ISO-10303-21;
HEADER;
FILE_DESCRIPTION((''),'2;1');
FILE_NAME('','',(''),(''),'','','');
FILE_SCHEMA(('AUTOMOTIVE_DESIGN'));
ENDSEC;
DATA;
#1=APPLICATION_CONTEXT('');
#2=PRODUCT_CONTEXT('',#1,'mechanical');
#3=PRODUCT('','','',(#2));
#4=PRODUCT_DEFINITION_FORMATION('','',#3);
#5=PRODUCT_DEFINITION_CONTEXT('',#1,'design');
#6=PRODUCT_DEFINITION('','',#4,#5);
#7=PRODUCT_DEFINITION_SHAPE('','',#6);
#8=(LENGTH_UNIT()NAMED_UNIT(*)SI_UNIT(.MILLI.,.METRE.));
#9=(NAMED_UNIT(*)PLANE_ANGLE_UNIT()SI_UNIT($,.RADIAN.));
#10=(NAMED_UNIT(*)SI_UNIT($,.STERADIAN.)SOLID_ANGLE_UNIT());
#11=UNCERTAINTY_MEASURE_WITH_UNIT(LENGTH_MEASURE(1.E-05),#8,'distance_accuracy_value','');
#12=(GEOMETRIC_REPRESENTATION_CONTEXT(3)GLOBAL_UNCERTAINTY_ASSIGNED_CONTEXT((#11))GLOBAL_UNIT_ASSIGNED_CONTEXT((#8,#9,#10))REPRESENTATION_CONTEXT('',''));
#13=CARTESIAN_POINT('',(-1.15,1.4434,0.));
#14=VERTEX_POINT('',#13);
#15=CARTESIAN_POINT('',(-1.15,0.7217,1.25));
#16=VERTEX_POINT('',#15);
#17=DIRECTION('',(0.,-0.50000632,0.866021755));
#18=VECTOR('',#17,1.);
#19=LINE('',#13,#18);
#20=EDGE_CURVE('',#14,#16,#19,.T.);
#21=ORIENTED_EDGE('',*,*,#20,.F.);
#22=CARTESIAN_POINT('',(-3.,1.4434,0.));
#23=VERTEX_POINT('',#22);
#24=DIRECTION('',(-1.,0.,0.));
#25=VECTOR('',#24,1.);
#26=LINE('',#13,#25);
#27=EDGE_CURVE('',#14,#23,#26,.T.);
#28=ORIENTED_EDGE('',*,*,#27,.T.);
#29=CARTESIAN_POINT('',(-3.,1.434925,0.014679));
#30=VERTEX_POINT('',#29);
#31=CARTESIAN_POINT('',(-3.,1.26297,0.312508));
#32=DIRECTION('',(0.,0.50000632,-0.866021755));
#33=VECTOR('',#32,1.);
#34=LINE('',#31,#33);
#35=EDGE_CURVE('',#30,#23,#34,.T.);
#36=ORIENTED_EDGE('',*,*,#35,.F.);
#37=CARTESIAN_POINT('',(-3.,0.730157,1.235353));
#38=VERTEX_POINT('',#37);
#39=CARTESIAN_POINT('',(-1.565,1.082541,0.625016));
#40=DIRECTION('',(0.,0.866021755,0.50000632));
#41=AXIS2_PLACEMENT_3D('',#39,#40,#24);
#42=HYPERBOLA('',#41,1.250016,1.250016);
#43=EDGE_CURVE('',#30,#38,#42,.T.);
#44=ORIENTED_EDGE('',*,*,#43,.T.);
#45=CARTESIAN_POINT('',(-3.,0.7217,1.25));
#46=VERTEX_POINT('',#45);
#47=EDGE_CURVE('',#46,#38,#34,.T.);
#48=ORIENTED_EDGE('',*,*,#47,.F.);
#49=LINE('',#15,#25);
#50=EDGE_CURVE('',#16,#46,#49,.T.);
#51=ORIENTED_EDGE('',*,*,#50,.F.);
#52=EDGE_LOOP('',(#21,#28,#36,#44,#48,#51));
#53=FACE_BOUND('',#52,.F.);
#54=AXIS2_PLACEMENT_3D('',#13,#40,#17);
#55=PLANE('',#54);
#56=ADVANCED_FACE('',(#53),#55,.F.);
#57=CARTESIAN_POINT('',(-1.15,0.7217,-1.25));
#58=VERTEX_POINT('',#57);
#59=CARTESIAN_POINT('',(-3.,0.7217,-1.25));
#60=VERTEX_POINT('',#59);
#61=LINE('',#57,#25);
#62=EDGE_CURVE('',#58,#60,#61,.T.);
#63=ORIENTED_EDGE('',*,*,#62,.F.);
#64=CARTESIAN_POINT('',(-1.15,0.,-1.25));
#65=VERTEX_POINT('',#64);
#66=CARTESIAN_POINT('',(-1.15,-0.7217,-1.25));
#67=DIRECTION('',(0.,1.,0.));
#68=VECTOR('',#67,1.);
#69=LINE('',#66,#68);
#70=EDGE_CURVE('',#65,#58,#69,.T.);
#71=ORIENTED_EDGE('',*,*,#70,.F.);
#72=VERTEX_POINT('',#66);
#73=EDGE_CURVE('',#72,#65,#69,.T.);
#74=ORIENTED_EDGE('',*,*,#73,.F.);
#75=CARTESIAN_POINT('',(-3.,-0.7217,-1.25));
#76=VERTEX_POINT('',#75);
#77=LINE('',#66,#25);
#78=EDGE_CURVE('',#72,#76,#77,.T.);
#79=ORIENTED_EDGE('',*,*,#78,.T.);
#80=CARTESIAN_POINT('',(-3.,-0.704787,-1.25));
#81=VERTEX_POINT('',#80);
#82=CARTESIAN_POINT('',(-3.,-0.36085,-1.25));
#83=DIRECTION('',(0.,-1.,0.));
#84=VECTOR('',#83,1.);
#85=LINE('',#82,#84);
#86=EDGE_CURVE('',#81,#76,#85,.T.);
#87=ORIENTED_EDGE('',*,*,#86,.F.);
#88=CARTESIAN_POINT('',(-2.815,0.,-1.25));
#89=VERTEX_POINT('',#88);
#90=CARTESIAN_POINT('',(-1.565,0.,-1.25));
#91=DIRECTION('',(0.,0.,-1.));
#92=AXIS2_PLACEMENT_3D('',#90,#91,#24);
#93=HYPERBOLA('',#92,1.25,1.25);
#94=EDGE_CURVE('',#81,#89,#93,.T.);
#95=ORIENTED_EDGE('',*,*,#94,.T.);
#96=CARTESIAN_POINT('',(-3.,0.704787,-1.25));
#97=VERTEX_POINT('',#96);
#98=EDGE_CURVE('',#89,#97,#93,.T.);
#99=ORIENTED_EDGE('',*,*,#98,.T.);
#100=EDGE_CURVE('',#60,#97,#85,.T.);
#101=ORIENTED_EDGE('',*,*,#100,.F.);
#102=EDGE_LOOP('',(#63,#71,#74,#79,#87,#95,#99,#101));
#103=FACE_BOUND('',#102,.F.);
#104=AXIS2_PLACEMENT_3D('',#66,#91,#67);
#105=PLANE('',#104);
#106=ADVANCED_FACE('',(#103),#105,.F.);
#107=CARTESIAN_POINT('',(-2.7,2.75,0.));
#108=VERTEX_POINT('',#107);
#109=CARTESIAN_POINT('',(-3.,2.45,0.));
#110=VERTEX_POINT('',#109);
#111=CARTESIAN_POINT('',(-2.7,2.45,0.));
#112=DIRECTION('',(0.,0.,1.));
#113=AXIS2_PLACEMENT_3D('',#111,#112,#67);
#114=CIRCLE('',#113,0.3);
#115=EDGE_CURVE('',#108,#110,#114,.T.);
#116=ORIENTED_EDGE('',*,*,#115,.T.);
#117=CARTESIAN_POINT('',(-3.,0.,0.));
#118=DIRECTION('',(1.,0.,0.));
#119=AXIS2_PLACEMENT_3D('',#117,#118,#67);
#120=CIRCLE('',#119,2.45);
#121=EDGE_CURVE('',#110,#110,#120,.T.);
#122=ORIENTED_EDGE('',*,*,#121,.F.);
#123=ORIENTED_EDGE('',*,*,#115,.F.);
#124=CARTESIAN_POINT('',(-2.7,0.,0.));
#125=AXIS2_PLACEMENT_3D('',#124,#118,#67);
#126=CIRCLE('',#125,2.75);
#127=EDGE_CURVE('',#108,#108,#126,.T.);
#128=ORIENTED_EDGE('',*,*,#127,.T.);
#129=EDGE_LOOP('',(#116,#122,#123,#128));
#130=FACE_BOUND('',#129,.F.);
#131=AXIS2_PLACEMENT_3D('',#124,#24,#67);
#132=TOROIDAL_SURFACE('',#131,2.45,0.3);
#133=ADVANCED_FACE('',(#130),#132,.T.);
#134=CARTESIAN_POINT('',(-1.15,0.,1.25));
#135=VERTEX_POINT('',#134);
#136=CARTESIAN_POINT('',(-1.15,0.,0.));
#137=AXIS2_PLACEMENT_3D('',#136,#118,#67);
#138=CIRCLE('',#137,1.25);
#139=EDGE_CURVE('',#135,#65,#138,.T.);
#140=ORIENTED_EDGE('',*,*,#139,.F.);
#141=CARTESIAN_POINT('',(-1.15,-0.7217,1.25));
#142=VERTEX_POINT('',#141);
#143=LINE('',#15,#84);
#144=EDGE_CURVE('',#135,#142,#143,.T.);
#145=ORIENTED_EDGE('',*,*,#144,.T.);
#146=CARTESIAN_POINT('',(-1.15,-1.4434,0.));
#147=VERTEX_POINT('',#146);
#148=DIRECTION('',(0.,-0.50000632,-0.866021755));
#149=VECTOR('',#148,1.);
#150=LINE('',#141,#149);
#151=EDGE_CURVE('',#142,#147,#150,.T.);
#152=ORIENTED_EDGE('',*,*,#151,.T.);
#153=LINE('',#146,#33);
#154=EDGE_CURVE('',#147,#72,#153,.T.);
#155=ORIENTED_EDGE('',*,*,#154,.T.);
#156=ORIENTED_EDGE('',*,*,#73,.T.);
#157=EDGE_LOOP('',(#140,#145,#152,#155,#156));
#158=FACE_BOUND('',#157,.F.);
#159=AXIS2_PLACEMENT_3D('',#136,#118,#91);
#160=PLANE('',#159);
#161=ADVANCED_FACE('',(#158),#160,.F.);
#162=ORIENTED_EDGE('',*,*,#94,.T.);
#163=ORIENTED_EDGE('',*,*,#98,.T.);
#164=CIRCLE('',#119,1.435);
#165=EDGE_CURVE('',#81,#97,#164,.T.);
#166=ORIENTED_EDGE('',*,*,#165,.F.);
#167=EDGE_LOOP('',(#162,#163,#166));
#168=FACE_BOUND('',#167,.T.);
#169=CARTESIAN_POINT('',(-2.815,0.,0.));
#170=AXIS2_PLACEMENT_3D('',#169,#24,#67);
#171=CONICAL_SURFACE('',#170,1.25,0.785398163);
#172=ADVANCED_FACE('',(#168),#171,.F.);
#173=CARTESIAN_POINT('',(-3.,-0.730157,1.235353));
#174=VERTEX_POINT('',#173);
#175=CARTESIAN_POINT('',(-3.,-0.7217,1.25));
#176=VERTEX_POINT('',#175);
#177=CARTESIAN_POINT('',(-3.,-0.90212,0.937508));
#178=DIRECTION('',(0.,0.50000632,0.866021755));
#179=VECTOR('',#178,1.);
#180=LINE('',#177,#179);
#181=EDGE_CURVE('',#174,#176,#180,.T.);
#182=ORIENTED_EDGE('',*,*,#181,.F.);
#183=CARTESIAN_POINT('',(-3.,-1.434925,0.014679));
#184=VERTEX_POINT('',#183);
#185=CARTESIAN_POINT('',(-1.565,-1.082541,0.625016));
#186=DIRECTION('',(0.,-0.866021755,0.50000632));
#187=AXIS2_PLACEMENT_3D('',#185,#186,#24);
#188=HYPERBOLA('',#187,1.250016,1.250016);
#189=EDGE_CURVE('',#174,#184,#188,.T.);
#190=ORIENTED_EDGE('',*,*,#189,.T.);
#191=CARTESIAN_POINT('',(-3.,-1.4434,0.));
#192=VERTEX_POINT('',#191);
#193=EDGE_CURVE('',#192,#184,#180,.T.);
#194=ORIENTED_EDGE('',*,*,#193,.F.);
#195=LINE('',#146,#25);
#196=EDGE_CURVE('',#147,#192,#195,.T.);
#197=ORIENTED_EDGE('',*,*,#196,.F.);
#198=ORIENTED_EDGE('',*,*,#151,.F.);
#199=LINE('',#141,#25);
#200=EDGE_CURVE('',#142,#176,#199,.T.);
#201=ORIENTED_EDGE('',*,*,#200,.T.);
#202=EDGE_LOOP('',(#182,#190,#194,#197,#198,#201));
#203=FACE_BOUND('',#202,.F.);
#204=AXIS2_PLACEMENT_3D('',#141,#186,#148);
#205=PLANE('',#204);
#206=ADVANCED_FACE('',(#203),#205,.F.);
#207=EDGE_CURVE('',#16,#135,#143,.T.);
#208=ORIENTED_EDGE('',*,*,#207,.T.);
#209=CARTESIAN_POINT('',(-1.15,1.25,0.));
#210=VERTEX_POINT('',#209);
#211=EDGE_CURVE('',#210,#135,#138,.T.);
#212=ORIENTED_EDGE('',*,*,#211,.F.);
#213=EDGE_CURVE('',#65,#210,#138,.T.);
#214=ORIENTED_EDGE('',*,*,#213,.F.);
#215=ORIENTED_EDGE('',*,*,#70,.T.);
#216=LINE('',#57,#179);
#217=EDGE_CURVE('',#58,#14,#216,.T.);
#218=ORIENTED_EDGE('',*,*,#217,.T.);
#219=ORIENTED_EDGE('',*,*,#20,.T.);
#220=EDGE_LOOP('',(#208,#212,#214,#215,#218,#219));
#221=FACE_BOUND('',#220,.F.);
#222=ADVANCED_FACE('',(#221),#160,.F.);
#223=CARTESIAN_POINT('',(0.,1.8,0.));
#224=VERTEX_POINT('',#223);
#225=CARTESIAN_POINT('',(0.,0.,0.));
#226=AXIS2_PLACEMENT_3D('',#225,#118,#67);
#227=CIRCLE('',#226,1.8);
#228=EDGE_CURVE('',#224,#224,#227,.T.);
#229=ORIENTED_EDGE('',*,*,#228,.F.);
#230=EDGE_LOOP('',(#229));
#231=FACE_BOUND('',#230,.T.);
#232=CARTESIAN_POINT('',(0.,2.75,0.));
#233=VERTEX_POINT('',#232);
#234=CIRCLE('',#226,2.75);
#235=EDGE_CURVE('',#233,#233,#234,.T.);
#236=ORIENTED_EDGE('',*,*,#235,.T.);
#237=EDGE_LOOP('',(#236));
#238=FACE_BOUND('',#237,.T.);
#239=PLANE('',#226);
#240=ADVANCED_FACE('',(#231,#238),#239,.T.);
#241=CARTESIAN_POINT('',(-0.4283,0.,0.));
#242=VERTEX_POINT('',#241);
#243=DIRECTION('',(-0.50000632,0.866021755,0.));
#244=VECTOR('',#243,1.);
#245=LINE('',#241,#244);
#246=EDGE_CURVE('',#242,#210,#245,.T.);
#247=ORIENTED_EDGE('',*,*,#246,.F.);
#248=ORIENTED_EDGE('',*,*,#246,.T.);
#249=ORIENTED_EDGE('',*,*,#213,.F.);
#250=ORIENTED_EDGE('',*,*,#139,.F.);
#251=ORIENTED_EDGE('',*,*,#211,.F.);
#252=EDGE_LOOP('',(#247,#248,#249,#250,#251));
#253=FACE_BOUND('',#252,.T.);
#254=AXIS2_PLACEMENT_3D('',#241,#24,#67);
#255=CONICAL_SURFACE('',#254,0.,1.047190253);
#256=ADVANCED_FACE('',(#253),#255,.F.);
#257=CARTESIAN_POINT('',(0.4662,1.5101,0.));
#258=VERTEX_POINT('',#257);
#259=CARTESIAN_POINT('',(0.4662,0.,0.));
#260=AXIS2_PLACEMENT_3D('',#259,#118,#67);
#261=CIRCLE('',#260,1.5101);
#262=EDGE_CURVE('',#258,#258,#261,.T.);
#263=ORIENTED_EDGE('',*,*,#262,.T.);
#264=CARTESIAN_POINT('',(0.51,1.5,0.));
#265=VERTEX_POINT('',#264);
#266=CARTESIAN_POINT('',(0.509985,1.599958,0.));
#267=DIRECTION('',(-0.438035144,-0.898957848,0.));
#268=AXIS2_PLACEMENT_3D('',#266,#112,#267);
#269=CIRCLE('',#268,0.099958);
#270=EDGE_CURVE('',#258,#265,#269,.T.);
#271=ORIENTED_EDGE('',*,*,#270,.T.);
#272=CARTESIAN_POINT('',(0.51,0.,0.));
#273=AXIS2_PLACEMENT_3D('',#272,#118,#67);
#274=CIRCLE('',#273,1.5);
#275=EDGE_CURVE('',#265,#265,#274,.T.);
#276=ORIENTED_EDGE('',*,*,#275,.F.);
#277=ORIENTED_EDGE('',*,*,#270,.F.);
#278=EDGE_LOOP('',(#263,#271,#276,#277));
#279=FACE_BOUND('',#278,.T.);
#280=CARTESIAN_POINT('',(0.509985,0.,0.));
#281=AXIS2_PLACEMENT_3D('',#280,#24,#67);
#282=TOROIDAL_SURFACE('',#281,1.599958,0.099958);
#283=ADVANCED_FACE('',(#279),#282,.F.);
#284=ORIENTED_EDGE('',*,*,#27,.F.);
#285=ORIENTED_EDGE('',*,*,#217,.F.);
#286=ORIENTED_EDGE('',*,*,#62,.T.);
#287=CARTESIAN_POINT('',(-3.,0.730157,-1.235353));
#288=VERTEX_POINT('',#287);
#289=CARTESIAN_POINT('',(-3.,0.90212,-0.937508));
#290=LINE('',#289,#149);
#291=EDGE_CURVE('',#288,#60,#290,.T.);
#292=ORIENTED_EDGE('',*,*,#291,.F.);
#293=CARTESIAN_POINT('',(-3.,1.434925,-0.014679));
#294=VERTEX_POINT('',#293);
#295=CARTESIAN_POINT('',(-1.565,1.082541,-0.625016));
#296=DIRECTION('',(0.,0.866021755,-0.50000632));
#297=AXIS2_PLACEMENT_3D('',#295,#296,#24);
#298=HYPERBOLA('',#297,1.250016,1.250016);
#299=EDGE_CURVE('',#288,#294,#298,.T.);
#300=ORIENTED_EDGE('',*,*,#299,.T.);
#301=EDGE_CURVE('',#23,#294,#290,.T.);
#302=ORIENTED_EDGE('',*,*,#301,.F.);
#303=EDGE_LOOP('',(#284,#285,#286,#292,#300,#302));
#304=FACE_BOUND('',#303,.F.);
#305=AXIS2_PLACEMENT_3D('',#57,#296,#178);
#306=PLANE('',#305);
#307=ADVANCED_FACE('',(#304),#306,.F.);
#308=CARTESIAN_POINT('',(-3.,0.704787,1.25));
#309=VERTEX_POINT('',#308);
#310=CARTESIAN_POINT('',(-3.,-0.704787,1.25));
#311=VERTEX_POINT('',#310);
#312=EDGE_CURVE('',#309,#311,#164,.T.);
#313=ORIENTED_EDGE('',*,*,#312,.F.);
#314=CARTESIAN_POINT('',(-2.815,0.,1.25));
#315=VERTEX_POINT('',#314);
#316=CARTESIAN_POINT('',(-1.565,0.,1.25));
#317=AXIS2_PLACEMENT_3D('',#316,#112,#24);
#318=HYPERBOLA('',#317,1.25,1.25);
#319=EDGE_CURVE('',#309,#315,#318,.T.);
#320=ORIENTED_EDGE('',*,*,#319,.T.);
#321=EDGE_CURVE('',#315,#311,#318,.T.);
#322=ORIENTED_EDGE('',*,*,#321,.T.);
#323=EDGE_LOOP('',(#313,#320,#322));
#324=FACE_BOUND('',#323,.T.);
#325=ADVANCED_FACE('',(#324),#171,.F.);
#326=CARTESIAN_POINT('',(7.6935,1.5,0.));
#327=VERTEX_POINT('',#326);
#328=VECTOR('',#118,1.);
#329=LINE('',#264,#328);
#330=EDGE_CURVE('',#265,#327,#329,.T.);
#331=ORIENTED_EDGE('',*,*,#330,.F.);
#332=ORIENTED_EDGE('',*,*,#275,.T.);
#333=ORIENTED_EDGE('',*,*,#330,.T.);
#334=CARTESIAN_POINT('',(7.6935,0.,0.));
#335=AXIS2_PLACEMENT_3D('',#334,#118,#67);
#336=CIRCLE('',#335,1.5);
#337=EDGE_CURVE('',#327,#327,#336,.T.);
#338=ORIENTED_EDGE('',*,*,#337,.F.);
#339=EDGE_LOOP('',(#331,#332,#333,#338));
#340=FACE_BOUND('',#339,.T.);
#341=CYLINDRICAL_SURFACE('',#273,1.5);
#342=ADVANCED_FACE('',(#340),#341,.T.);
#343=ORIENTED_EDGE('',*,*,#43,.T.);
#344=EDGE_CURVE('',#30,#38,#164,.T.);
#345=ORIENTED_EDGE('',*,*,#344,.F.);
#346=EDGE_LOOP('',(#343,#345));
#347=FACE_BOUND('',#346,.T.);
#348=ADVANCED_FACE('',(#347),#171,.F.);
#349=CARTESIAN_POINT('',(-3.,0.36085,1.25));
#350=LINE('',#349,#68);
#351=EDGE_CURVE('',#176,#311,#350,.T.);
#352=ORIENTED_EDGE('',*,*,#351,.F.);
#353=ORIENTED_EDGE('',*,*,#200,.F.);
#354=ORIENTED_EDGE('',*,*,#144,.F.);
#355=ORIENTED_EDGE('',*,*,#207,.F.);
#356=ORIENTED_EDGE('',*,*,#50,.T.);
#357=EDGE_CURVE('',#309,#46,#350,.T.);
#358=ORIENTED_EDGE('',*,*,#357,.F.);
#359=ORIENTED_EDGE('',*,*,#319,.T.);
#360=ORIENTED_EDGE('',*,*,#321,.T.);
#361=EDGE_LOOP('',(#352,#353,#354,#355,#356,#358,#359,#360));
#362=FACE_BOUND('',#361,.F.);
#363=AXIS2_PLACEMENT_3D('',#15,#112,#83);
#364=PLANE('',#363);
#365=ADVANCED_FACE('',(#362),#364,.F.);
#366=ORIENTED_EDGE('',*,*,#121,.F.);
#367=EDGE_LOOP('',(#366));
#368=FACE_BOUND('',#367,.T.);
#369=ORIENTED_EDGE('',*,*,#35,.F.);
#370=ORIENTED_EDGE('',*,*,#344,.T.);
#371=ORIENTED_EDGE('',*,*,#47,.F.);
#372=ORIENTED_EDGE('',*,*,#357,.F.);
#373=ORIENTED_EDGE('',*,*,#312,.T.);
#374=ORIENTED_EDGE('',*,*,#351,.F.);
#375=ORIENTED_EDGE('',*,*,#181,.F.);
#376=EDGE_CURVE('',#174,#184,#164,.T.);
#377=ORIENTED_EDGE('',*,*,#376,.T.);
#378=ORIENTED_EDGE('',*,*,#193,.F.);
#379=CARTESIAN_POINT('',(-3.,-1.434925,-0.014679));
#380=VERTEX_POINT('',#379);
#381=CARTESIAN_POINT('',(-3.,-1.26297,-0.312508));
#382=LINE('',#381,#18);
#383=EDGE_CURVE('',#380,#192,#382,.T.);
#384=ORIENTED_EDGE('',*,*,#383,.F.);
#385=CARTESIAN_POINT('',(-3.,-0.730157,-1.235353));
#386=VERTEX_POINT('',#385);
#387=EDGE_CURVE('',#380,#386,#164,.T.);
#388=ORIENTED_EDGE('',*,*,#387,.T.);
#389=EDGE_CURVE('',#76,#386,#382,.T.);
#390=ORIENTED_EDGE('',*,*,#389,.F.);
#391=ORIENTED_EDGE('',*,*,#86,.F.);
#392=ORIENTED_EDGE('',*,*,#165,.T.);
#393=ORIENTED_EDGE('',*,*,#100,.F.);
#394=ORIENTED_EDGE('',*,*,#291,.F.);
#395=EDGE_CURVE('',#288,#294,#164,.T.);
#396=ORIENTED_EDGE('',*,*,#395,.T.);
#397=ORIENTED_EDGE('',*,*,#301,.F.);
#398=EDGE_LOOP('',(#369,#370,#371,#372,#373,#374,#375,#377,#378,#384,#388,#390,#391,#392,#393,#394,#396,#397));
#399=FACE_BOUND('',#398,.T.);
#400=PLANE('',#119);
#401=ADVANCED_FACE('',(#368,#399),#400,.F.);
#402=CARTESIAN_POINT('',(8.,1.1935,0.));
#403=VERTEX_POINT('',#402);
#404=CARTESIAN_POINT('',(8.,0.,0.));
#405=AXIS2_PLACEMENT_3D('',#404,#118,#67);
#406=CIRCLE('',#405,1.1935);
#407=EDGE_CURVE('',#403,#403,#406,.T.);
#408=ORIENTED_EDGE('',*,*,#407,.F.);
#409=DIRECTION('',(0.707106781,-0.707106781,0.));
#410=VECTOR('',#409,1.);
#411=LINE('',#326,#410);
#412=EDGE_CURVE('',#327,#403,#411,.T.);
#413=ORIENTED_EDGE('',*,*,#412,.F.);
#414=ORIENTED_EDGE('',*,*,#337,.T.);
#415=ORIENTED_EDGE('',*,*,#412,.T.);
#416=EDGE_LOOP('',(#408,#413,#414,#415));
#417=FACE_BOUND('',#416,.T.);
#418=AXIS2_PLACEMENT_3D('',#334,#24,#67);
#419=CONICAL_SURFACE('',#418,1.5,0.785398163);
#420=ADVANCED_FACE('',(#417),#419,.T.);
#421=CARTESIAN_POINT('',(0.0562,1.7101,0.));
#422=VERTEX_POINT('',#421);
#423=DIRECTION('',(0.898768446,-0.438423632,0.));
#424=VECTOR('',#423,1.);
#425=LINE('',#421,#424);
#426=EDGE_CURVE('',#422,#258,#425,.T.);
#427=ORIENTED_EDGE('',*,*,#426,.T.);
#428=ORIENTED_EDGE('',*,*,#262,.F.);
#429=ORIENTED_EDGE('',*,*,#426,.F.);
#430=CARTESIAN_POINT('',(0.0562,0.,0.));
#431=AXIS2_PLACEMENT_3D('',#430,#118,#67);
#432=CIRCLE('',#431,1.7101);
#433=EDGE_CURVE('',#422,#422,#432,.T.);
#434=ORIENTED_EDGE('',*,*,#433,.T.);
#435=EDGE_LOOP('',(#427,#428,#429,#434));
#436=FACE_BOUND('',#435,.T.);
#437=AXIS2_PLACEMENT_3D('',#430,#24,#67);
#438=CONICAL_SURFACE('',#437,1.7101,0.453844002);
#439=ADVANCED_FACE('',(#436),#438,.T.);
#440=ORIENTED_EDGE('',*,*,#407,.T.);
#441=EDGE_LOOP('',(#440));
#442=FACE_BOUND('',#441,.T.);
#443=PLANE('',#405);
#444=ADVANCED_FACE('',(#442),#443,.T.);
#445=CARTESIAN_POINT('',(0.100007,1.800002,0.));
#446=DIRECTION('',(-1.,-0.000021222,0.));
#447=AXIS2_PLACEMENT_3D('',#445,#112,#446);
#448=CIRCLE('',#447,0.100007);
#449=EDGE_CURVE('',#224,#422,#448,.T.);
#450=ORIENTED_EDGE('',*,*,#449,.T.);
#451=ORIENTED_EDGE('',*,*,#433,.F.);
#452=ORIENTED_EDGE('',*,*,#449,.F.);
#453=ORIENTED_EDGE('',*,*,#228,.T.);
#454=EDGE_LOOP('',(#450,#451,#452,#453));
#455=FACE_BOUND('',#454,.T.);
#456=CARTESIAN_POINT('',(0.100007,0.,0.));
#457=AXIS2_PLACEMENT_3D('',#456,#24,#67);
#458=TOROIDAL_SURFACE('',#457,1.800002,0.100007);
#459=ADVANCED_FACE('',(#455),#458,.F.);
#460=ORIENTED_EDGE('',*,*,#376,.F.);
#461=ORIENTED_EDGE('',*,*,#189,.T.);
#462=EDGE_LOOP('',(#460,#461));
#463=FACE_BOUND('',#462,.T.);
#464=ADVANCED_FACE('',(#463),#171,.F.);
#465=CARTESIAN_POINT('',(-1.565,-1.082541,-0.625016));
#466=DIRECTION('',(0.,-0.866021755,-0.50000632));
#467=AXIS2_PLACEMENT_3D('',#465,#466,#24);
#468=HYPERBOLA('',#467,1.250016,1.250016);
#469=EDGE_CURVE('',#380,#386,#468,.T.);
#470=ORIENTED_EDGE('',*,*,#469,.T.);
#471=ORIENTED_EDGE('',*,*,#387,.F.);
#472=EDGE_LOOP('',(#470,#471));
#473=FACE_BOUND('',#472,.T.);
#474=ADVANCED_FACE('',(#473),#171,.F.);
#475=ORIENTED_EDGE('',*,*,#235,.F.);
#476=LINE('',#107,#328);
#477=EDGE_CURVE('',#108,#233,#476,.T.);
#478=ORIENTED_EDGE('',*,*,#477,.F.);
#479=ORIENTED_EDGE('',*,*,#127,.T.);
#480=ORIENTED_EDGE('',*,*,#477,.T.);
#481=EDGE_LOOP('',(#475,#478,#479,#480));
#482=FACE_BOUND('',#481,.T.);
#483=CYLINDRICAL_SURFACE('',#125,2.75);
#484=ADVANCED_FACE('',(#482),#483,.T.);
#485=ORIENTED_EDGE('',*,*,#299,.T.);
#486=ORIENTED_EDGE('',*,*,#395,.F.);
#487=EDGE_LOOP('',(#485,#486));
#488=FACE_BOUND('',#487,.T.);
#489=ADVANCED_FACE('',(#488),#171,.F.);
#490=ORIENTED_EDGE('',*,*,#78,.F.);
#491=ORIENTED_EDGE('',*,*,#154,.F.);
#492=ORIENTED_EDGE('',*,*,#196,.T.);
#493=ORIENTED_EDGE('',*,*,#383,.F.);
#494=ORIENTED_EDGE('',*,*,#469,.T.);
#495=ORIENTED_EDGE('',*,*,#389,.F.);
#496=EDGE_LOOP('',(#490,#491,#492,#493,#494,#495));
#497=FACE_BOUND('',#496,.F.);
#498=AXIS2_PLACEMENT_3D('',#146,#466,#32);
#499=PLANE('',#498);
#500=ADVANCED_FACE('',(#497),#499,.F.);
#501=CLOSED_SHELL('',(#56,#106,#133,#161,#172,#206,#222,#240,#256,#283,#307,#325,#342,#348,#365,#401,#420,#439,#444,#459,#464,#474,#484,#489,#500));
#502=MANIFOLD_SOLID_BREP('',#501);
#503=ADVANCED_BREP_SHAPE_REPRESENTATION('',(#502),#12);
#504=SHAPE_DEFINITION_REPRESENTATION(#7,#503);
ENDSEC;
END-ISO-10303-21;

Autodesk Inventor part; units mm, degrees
sketch "Skizze_2" plane through (0, 0, 0) normal (0, 0, 1) x (1, 0, 0)
  line L0 (8, 0) -> (-6, 0)
  line L1 (-0.4283, 0) -> (-1.15, 1.25)
  line L2 (-1.15, 1.25) -> (-2.815, 1.25)
  line L3 (-2.815, 1.25) -> (-3, 1.435)
  line L4 (-3, 1.435) -> (-3, 2.45)
  arc A0 (-2.7, 2.75) -> (-3, 2.45) centre (-2.7, 2.45) ccw
  line L5 (-2.7, 2.75) -> (0, 2.75)
  line L6 (0, 2.75) -> (0, 1.8)
  arc A1 (0, 1.8) -> (0.0562, 1.7101) centre (0.1, 1.8) ccw
  line L7 (0.0562, 1.7101) -> (0.4662, 1.5101)
  arc A2 (0.4662, 1.5101) -> (0.51, 1.5) centre (0.51, 1.6) ccw
  line L8 (0.51, 1.5) -> (7.6935, 1.5)
  line L9 (7.6935, 1.5) -> (8, 1.1935)
  line L10 (8, 1.1935) -> (8, 0)
  line L11 (8, 0) -> (-0.4283, 0)
revolve "Revolution1" add sketch "Skizze_2" angle 360 about axis through (8, 0, 0) along (1, 0, 0)
thread "Thread1" size "M3x0.5" class "6g" standard "ISO Metric profile" length 6.1935
sketch "Skizze_1" plane through (-1.15, 0, 0) normal (1, 0, 0) x (0, 0, -1)
  line L0 (-1.25, -0.7217) -> (0, -1.4434)
  line L1 (0, -1.4434) -> (1.25, -0.7217)
  line L2 (1.25, -0.7217) -> (1.25, 0.7217)
  line L3 (1.25, 0.7217) -> (0, 1.4434)
  line L4 (0, 1.4434) -> (-1.25, 0.7217)
  line L5 (-1.25, 0.7217) -> (-1.25, -0.7217)
extrude "Extrusion1" cut sketch "Skizze_1" against normal blind 2.6
ref_plane "IP1_XY" through (0, 0, 0) normal (1, 0, 0) x (0, 0, -1)
ref_plane "IP1_YZ" through (0, 0, 0) normal (0, 0, -1) x (0, 1, 0)
ref_plane "IP1_ZX" through (0, 0, 0) normal (0, 1, 0) x (1, 0, 0)
ref_plane "IP2_XY" through (-3, 0, 0) normal (1, 0, 0) x (0, 0, -1)
ref_plane "IP2_YZ" through (-3, 0, 0) normal (0, 0, -1) x (0, 1, 0)
ref_plane "IP2_ZX" through (-3, 0, 0) normal (0, 1, 0) x (1, 0, 0)
ref_plane "IP3_XY" through (8, 0, 0) normal (1, 0, 0) x (0, 0, -1)
ref_plane "IP3_YZ" through (8, 0, 0) normal (0, 0, -1) x (0, 1, 0)
ref_plane "IP3_ZX" through (8, 0, 0) normal (0, 1, 0) x (1, 0, 0)
properties part number "M3x8_p3"
